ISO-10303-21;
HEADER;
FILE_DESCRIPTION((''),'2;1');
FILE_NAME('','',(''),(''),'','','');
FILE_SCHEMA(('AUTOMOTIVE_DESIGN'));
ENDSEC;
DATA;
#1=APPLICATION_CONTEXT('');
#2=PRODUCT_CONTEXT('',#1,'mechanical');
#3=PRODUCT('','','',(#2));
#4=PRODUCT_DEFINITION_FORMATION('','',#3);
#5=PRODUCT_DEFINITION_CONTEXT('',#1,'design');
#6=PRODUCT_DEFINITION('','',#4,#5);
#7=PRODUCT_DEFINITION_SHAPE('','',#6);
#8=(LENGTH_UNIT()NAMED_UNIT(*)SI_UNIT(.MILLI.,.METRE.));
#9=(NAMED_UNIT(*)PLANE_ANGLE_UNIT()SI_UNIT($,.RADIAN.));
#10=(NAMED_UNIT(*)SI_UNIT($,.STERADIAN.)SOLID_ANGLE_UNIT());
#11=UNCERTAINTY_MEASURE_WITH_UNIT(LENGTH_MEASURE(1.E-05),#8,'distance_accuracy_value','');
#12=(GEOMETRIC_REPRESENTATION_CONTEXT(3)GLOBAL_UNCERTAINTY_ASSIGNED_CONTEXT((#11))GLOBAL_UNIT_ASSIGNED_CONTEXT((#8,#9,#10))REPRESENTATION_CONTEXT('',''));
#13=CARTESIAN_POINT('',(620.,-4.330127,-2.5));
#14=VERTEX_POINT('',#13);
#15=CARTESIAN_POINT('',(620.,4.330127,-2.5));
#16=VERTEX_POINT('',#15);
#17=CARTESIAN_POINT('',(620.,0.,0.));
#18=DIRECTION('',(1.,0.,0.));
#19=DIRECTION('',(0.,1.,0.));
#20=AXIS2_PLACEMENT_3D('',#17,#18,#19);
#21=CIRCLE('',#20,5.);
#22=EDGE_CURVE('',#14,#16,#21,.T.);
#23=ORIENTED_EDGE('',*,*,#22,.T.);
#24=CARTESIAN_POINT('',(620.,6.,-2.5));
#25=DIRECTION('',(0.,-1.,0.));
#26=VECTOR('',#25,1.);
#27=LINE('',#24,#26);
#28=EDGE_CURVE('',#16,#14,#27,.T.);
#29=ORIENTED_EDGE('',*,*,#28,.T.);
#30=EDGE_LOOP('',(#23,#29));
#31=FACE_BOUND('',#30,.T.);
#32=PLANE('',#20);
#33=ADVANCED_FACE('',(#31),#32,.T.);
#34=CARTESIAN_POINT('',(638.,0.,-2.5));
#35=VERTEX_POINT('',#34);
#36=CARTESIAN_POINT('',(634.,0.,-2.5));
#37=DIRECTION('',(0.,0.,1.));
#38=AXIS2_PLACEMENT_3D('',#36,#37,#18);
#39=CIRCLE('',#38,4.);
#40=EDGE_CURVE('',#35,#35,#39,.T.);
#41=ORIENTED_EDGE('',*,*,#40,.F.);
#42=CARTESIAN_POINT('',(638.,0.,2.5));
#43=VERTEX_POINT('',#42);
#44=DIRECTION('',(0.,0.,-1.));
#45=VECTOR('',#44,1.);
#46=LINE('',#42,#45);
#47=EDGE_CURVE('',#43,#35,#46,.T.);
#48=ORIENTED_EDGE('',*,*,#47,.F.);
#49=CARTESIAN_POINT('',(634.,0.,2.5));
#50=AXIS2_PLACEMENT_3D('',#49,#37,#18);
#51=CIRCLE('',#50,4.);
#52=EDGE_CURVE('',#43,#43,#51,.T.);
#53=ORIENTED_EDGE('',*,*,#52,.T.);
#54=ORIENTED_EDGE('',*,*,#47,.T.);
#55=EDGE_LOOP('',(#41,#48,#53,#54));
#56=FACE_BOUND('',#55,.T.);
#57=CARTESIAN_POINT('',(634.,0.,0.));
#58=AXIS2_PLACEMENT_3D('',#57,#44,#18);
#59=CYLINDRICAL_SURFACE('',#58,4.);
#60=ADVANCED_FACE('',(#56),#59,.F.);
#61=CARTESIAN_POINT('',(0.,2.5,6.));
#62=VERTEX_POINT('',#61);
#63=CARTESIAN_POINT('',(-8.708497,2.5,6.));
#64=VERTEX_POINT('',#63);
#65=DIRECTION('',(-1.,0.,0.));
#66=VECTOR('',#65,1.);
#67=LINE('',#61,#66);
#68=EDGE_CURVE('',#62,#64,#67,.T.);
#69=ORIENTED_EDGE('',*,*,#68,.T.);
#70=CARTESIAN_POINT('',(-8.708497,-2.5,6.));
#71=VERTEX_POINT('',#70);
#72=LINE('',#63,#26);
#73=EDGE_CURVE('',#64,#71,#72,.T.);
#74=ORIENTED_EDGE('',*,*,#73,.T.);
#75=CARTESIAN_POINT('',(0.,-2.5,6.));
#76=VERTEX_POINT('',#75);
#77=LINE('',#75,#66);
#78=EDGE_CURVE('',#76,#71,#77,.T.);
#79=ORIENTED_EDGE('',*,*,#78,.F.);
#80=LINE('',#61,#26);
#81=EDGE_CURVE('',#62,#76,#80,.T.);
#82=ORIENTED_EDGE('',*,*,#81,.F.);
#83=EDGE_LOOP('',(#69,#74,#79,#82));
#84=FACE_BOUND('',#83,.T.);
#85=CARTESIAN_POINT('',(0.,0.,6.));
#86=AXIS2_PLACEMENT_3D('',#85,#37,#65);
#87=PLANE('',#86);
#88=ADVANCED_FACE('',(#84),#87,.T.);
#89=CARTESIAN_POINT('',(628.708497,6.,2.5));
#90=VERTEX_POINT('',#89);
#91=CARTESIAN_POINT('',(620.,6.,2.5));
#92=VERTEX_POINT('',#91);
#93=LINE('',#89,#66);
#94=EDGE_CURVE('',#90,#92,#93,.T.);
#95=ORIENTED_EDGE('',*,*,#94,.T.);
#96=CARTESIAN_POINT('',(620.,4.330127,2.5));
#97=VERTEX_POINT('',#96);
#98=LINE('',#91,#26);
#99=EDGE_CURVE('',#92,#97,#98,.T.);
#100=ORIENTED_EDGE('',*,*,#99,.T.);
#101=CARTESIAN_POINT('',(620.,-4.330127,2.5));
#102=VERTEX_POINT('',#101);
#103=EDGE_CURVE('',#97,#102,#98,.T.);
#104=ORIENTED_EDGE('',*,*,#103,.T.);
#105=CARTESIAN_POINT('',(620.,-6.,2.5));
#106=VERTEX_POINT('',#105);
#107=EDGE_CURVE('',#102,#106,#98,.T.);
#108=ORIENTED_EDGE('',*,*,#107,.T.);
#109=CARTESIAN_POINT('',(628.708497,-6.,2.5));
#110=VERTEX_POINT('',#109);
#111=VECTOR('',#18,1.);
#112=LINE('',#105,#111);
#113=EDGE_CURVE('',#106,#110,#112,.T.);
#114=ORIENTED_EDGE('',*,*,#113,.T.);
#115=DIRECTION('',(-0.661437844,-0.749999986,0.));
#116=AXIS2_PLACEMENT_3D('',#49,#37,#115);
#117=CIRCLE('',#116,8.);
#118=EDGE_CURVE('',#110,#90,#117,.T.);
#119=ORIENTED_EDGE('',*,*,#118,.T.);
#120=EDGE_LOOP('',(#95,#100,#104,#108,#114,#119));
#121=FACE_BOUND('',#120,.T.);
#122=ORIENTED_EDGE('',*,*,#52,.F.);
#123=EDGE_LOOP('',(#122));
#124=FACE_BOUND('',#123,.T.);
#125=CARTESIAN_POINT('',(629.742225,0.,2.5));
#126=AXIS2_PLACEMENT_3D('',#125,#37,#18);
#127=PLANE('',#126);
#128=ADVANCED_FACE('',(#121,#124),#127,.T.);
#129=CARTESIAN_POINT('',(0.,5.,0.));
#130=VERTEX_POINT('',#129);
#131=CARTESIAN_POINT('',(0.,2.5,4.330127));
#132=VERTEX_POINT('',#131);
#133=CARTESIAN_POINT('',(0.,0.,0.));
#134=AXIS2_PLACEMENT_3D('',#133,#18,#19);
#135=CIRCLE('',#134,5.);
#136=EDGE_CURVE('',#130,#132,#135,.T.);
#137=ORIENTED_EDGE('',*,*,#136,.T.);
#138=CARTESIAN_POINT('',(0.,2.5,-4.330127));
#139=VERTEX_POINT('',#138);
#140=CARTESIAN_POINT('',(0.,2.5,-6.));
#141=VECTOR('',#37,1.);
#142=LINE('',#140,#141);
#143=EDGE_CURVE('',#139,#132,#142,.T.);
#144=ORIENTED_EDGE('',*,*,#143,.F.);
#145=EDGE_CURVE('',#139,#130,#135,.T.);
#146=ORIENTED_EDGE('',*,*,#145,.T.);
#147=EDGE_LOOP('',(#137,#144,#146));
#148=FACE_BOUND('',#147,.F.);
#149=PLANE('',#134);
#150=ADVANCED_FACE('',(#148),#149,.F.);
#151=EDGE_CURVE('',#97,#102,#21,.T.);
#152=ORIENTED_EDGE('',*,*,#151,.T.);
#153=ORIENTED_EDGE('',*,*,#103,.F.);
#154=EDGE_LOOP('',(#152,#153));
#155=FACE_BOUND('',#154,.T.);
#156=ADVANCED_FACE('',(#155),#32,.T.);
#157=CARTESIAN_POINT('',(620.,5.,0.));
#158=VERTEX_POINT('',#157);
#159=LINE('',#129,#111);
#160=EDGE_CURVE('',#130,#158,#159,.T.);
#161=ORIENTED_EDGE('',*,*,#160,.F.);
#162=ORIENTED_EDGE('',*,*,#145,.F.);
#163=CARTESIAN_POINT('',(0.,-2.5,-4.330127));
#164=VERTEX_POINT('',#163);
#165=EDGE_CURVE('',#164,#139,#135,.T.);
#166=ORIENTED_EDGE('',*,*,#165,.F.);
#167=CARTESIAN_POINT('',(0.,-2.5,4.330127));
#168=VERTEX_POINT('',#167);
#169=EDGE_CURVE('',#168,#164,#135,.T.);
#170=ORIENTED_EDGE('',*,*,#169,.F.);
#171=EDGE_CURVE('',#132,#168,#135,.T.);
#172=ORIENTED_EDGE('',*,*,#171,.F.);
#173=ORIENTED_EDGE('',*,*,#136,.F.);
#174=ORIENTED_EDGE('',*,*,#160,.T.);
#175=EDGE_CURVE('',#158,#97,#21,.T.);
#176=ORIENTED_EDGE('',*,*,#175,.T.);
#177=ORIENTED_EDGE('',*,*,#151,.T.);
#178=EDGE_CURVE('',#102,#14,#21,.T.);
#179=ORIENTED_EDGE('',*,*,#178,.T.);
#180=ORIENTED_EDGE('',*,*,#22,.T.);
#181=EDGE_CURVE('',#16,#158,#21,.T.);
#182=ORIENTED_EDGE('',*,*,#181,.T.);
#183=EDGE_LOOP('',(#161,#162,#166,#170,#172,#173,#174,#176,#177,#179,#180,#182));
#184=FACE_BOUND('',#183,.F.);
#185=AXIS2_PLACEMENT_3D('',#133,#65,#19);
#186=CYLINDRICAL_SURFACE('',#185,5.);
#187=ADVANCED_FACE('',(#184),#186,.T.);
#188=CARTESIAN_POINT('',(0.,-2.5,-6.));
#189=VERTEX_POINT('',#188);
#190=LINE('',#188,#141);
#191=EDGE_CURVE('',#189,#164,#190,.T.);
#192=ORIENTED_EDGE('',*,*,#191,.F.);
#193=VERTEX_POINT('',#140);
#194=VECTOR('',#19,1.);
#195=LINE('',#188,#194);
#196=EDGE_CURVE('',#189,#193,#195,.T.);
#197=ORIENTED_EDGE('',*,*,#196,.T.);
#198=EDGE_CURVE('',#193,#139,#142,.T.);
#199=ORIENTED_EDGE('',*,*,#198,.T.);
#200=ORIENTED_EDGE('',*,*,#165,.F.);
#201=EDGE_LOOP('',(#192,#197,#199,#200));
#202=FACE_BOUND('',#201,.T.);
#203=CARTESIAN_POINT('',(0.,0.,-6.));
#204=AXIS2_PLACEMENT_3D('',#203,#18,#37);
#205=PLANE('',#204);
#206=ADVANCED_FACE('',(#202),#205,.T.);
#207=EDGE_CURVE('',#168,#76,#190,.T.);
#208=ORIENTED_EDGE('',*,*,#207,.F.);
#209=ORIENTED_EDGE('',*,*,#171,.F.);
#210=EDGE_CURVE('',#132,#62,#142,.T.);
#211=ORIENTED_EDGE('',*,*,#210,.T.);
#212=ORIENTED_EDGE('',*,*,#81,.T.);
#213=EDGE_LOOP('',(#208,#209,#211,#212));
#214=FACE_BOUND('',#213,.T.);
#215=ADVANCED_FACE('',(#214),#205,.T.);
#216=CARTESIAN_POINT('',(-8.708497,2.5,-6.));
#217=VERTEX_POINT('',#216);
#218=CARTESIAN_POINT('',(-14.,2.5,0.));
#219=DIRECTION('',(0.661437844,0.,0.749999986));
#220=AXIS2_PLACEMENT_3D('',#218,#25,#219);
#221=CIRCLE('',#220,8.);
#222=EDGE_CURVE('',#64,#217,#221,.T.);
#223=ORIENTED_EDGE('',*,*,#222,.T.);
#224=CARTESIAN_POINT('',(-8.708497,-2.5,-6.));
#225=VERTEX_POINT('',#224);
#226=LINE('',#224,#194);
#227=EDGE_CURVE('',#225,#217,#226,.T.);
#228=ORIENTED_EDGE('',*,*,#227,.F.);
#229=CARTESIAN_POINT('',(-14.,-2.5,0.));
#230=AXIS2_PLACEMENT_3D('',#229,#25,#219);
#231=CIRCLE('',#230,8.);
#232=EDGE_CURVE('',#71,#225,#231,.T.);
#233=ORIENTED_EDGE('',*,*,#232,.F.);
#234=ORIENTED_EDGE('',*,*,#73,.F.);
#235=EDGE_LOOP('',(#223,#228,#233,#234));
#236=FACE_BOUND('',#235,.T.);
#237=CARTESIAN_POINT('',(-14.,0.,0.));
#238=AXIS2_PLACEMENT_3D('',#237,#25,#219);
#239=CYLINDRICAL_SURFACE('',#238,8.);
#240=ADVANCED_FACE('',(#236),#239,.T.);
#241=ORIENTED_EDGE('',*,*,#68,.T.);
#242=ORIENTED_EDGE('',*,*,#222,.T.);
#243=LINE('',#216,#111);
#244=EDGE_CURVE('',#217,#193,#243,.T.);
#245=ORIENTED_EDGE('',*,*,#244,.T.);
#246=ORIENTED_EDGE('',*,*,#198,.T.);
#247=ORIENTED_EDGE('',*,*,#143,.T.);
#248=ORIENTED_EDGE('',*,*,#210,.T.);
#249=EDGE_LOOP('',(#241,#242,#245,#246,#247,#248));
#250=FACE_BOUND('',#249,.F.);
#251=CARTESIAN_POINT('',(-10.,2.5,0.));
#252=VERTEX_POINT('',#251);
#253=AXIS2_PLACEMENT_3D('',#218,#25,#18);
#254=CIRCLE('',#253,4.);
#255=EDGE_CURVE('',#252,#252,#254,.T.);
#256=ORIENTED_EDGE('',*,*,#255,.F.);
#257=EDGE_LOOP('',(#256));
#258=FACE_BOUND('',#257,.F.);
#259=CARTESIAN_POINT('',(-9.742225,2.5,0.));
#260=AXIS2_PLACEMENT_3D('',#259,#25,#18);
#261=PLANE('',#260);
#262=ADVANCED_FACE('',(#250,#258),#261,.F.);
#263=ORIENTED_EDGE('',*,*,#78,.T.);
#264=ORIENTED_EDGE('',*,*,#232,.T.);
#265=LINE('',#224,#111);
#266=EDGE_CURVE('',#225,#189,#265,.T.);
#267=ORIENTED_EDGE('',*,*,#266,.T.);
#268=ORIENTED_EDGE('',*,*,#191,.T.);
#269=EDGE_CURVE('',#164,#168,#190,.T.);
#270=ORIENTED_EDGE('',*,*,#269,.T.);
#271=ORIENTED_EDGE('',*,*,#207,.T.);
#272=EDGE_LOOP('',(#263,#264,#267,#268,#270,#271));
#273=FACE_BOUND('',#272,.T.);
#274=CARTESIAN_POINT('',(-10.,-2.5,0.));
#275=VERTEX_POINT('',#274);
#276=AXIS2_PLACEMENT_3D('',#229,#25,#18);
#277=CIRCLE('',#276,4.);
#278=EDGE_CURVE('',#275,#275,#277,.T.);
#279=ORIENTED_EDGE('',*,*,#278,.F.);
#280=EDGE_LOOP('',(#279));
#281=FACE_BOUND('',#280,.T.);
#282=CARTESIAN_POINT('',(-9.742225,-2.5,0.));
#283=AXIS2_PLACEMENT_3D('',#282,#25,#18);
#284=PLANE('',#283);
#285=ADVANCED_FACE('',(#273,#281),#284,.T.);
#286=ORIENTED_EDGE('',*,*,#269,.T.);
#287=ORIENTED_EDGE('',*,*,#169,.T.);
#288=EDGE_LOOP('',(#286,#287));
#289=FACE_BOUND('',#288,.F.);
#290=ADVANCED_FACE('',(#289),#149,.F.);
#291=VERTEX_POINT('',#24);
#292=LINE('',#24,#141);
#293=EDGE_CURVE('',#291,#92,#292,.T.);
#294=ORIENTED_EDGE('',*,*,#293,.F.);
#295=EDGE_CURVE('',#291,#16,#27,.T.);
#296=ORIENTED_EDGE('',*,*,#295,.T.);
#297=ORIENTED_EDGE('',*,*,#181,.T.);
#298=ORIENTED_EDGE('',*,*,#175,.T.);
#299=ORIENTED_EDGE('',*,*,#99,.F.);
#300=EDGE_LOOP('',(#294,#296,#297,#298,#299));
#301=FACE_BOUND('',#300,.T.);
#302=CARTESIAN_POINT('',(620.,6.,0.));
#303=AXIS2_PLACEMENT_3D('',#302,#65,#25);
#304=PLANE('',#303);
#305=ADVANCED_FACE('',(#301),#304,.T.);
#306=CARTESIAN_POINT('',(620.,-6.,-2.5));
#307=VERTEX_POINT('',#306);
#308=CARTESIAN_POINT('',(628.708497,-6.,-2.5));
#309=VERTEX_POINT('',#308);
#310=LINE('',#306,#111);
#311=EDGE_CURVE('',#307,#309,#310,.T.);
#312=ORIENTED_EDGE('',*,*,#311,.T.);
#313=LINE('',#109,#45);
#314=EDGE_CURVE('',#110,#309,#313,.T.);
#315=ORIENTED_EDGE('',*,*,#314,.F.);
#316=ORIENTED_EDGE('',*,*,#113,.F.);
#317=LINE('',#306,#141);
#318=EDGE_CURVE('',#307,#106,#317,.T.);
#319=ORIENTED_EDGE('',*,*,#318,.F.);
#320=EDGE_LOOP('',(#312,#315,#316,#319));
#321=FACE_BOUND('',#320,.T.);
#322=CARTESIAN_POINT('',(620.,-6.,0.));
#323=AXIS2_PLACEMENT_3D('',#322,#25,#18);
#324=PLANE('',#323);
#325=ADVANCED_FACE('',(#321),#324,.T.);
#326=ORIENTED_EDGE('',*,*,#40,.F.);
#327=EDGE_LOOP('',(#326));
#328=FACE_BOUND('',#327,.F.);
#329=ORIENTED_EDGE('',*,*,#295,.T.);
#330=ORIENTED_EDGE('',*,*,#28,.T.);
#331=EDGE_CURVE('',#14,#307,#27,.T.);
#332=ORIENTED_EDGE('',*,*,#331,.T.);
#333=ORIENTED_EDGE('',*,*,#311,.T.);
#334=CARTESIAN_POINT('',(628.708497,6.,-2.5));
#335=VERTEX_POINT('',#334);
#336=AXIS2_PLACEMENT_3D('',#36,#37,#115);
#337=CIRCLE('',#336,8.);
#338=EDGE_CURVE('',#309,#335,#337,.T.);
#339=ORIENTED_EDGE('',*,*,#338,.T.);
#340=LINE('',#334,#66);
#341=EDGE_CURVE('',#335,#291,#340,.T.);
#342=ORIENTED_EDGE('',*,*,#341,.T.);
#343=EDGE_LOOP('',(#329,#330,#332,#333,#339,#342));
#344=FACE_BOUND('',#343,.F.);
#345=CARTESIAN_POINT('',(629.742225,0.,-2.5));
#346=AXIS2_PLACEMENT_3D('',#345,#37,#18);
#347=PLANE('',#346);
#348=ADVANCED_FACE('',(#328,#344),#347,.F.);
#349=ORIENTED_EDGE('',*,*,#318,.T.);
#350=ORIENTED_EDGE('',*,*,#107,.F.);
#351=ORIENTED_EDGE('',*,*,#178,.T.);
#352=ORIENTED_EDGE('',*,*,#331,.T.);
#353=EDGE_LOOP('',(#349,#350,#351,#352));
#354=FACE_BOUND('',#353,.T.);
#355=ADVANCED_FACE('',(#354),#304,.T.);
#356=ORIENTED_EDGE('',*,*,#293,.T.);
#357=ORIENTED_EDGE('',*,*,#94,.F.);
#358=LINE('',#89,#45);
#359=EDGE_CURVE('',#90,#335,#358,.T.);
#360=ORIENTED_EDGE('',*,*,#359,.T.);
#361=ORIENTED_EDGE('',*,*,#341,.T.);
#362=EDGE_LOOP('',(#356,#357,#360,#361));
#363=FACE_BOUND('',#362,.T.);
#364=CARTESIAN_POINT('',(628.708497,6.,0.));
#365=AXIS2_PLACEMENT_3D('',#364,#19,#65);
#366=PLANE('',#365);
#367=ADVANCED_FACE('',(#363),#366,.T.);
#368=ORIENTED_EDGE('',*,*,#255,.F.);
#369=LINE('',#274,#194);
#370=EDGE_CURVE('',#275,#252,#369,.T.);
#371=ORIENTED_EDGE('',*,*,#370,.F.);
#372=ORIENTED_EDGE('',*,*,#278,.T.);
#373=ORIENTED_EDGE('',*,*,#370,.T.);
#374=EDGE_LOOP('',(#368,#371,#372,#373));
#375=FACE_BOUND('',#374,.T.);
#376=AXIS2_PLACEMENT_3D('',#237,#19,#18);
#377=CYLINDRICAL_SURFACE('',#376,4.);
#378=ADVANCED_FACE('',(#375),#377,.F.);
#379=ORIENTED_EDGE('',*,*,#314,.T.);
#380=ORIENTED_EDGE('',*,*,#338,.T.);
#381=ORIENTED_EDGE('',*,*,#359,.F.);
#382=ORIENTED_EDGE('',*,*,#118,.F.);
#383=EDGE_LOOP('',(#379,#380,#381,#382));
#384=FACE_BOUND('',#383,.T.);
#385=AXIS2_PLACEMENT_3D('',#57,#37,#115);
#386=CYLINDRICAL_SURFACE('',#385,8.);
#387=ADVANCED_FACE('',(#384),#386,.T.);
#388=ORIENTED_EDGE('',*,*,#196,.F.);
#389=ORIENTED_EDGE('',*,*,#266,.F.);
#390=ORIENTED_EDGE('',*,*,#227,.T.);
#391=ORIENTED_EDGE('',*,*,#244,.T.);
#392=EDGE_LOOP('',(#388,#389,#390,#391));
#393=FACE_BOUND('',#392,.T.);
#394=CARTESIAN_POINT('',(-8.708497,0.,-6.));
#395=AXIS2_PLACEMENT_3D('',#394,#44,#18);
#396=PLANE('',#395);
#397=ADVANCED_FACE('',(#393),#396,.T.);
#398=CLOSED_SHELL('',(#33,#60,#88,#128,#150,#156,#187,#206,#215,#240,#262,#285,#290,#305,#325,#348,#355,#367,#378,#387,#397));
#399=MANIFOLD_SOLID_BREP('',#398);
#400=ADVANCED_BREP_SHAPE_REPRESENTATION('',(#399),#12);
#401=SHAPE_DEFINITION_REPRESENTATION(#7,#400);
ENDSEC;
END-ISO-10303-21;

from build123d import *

# Parameters (mm, degrees)
F0_R     = 5
F1_DEPTH = 620
F2_R     = 4
F3_DEPTH = 2.5
F4_R     = 4
F5_DEPTH = 2.5


with BuildPart() as f1:
    # F0 (on Right) → F1 (new body)
    with BuildSketch(Plane.YZ):
        Circle(F0_R)
    extrude(amount=F1_DEPTH)

    # F2 (on Front) → F3 (join, symmetric)
    with BuildSketch(Plane.XZ):
        with BuildLine():
            Line((0, -6), (0, 6))
            Line((0, 6), (-8.708497, 6))
            ThreePointArc((-8.708497, 6), (-22, 0), (-8.708497, -6))
            Line((-8.708497, -6), (0, -6))
        make_face()
        with Locations((-14, 0)):
            Circle(F2_R, mode=Mode.SUBTRACT)
    extrude(amount=F3_DEPTH, both=True)

    # F4 (on Top) → F5 (join, symmetric)
    with BuildSketch(Plane.XY):
        with BuildLine():
            Line((628.708497, 6), (620, 6))
            Line((620, 6), (620, -6))
            Line((620, -6), (628.708497, -6))
            ThreePointArc((628.708497, -6), (642, 0), (628.708497, 6))
        make_face()
        with Locations((634, 0)):
            Circle(F4_R, mode=Mode.SUBTRACT)
    extrude(amount=F5_DEPTH, both=True)


solid = f1.part
